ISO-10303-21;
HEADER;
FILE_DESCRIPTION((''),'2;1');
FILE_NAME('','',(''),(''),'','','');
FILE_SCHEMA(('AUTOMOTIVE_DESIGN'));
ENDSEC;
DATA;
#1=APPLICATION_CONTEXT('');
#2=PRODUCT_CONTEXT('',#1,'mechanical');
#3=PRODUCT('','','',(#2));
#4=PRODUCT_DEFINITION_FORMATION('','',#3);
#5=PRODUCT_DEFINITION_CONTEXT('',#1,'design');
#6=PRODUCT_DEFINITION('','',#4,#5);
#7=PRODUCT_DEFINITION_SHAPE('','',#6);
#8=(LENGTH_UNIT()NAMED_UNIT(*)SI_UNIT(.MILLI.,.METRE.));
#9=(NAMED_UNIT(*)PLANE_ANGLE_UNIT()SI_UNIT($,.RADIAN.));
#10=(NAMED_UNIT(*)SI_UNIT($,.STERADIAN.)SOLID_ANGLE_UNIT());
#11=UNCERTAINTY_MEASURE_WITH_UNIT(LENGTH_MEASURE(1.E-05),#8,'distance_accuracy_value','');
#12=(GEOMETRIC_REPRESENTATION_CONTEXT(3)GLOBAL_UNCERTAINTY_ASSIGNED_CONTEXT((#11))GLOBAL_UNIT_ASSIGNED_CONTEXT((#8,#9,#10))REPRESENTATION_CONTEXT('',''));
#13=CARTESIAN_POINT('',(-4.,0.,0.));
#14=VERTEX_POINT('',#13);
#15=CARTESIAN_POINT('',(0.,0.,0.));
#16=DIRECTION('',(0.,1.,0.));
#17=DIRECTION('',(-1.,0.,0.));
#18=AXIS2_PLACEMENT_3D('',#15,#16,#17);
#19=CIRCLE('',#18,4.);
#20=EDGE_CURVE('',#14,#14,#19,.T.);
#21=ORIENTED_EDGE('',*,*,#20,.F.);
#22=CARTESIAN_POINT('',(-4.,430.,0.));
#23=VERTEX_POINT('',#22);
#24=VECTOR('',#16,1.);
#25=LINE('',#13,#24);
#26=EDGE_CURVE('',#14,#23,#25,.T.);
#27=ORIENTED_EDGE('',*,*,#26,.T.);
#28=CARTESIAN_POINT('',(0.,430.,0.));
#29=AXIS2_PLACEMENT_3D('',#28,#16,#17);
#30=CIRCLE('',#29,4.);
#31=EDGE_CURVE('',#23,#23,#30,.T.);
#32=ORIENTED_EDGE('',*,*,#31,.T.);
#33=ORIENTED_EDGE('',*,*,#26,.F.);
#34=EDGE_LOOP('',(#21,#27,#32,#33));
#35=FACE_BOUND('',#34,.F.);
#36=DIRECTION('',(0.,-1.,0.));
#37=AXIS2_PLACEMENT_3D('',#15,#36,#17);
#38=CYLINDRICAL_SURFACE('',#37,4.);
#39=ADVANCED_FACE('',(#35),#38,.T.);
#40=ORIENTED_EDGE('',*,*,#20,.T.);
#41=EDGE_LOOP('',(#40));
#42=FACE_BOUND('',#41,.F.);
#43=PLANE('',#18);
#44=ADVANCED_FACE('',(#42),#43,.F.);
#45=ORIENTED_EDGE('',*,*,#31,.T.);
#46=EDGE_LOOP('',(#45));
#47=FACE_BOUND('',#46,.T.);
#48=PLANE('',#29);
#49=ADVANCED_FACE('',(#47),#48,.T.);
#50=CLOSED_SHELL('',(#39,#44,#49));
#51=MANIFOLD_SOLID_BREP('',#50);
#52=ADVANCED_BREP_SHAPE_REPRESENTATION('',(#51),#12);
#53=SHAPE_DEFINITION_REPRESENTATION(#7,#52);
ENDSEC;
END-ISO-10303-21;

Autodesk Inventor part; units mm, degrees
ref_plane "YZ Plane" through (0, 0, 0) normal (1, 0, 0) x (0, 1, 0)
ref_plane "XZ Plane" through (0, 0, 0) normal (0, 1, 0) x (-1, 0, 0)
ref_plane "XY Plane" through (0, 0, 0) normal (0, 0, 1) x (1, 0, 0)
sketch "Sketch1" plane through (0, 0, 0) normal (0, 1, 0) x (-1, 0, 0)
  circle A0 centre (0, 0) radius 4
  dimension "d0" = 8
extrude "Extrusion1" add sketch "Sketch1" along normal blind 430
properties part number "Rod_430x8" material "Steel, Wrought"
